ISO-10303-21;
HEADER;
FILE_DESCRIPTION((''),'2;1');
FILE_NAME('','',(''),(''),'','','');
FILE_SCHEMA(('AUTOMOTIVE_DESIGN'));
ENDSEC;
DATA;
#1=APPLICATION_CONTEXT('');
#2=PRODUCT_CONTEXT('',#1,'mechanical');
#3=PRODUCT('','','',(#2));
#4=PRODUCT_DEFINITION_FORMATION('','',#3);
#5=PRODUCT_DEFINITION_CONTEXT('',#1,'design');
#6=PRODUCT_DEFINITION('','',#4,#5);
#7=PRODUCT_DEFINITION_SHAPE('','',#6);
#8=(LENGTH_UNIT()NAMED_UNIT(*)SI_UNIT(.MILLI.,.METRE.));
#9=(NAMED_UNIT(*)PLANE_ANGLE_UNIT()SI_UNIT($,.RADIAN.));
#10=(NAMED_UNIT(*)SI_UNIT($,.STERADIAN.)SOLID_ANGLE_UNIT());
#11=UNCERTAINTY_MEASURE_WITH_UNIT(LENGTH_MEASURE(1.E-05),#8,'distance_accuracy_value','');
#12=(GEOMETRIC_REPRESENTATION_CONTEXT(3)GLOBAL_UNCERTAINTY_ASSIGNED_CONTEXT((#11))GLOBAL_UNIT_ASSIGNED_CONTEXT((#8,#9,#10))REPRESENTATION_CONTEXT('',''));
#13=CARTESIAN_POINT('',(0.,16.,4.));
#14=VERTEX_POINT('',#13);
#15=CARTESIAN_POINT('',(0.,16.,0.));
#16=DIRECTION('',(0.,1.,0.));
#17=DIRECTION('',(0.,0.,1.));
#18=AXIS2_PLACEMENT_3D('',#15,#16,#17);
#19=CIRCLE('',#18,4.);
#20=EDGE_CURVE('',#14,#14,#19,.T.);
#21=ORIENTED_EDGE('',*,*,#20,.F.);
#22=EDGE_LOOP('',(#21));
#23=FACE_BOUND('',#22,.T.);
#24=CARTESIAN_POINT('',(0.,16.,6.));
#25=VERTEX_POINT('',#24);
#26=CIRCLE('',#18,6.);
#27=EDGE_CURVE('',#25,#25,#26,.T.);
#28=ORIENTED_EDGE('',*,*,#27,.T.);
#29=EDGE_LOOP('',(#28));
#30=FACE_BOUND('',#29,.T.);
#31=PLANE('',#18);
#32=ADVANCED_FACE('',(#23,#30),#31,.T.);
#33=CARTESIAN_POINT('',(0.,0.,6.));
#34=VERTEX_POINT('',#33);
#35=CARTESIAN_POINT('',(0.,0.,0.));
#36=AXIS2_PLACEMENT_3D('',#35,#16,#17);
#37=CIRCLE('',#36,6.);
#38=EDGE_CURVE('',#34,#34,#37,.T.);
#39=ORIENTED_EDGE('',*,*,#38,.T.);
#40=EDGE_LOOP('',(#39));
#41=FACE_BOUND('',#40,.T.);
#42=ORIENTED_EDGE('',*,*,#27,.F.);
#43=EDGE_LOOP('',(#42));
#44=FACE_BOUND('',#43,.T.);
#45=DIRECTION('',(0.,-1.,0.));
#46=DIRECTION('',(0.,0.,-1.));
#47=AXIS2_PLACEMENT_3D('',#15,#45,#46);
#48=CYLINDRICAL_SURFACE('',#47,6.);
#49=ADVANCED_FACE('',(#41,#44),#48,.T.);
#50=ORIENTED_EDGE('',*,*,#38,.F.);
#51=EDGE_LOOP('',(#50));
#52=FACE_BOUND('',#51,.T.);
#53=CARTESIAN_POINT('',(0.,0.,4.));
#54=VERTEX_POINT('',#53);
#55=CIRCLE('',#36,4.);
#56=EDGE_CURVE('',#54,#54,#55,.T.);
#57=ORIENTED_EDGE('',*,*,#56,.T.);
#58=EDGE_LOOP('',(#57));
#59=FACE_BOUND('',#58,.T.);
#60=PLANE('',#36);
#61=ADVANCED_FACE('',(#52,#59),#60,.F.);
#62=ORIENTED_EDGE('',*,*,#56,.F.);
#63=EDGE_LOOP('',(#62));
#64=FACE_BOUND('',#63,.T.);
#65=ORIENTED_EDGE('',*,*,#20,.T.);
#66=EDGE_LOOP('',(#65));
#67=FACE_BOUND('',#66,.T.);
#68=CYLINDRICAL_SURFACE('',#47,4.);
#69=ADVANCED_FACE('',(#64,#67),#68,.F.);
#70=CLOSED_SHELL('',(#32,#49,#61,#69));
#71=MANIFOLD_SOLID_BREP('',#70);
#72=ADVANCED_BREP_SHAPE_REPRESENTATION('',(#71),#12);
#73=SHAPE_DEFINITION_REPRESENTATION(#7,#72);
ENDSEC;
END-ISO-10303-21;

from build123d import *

# Parameters (mm, degrees)
SKETCH1_R           = 6
SKETCH1_R_2         = 4
BOSS_EXTRUDE1_DEPTH = 16


with BuildPart() as part:
    # Sketch1 → Boss-Extrude1 (new body)
    with BuildSketch(Plane(origin=(0, 0, 0), x_dir=(1, 0, 0), z_dir=(0, 1, 0))):
        Circle(SKETCH1_R)
        Circle(SKETCH1_R_2, mode=Mode.SUBTRACT)
    extrude(amount=BOSS_EXTRUDE1_DEPTH)


solid = part.part
